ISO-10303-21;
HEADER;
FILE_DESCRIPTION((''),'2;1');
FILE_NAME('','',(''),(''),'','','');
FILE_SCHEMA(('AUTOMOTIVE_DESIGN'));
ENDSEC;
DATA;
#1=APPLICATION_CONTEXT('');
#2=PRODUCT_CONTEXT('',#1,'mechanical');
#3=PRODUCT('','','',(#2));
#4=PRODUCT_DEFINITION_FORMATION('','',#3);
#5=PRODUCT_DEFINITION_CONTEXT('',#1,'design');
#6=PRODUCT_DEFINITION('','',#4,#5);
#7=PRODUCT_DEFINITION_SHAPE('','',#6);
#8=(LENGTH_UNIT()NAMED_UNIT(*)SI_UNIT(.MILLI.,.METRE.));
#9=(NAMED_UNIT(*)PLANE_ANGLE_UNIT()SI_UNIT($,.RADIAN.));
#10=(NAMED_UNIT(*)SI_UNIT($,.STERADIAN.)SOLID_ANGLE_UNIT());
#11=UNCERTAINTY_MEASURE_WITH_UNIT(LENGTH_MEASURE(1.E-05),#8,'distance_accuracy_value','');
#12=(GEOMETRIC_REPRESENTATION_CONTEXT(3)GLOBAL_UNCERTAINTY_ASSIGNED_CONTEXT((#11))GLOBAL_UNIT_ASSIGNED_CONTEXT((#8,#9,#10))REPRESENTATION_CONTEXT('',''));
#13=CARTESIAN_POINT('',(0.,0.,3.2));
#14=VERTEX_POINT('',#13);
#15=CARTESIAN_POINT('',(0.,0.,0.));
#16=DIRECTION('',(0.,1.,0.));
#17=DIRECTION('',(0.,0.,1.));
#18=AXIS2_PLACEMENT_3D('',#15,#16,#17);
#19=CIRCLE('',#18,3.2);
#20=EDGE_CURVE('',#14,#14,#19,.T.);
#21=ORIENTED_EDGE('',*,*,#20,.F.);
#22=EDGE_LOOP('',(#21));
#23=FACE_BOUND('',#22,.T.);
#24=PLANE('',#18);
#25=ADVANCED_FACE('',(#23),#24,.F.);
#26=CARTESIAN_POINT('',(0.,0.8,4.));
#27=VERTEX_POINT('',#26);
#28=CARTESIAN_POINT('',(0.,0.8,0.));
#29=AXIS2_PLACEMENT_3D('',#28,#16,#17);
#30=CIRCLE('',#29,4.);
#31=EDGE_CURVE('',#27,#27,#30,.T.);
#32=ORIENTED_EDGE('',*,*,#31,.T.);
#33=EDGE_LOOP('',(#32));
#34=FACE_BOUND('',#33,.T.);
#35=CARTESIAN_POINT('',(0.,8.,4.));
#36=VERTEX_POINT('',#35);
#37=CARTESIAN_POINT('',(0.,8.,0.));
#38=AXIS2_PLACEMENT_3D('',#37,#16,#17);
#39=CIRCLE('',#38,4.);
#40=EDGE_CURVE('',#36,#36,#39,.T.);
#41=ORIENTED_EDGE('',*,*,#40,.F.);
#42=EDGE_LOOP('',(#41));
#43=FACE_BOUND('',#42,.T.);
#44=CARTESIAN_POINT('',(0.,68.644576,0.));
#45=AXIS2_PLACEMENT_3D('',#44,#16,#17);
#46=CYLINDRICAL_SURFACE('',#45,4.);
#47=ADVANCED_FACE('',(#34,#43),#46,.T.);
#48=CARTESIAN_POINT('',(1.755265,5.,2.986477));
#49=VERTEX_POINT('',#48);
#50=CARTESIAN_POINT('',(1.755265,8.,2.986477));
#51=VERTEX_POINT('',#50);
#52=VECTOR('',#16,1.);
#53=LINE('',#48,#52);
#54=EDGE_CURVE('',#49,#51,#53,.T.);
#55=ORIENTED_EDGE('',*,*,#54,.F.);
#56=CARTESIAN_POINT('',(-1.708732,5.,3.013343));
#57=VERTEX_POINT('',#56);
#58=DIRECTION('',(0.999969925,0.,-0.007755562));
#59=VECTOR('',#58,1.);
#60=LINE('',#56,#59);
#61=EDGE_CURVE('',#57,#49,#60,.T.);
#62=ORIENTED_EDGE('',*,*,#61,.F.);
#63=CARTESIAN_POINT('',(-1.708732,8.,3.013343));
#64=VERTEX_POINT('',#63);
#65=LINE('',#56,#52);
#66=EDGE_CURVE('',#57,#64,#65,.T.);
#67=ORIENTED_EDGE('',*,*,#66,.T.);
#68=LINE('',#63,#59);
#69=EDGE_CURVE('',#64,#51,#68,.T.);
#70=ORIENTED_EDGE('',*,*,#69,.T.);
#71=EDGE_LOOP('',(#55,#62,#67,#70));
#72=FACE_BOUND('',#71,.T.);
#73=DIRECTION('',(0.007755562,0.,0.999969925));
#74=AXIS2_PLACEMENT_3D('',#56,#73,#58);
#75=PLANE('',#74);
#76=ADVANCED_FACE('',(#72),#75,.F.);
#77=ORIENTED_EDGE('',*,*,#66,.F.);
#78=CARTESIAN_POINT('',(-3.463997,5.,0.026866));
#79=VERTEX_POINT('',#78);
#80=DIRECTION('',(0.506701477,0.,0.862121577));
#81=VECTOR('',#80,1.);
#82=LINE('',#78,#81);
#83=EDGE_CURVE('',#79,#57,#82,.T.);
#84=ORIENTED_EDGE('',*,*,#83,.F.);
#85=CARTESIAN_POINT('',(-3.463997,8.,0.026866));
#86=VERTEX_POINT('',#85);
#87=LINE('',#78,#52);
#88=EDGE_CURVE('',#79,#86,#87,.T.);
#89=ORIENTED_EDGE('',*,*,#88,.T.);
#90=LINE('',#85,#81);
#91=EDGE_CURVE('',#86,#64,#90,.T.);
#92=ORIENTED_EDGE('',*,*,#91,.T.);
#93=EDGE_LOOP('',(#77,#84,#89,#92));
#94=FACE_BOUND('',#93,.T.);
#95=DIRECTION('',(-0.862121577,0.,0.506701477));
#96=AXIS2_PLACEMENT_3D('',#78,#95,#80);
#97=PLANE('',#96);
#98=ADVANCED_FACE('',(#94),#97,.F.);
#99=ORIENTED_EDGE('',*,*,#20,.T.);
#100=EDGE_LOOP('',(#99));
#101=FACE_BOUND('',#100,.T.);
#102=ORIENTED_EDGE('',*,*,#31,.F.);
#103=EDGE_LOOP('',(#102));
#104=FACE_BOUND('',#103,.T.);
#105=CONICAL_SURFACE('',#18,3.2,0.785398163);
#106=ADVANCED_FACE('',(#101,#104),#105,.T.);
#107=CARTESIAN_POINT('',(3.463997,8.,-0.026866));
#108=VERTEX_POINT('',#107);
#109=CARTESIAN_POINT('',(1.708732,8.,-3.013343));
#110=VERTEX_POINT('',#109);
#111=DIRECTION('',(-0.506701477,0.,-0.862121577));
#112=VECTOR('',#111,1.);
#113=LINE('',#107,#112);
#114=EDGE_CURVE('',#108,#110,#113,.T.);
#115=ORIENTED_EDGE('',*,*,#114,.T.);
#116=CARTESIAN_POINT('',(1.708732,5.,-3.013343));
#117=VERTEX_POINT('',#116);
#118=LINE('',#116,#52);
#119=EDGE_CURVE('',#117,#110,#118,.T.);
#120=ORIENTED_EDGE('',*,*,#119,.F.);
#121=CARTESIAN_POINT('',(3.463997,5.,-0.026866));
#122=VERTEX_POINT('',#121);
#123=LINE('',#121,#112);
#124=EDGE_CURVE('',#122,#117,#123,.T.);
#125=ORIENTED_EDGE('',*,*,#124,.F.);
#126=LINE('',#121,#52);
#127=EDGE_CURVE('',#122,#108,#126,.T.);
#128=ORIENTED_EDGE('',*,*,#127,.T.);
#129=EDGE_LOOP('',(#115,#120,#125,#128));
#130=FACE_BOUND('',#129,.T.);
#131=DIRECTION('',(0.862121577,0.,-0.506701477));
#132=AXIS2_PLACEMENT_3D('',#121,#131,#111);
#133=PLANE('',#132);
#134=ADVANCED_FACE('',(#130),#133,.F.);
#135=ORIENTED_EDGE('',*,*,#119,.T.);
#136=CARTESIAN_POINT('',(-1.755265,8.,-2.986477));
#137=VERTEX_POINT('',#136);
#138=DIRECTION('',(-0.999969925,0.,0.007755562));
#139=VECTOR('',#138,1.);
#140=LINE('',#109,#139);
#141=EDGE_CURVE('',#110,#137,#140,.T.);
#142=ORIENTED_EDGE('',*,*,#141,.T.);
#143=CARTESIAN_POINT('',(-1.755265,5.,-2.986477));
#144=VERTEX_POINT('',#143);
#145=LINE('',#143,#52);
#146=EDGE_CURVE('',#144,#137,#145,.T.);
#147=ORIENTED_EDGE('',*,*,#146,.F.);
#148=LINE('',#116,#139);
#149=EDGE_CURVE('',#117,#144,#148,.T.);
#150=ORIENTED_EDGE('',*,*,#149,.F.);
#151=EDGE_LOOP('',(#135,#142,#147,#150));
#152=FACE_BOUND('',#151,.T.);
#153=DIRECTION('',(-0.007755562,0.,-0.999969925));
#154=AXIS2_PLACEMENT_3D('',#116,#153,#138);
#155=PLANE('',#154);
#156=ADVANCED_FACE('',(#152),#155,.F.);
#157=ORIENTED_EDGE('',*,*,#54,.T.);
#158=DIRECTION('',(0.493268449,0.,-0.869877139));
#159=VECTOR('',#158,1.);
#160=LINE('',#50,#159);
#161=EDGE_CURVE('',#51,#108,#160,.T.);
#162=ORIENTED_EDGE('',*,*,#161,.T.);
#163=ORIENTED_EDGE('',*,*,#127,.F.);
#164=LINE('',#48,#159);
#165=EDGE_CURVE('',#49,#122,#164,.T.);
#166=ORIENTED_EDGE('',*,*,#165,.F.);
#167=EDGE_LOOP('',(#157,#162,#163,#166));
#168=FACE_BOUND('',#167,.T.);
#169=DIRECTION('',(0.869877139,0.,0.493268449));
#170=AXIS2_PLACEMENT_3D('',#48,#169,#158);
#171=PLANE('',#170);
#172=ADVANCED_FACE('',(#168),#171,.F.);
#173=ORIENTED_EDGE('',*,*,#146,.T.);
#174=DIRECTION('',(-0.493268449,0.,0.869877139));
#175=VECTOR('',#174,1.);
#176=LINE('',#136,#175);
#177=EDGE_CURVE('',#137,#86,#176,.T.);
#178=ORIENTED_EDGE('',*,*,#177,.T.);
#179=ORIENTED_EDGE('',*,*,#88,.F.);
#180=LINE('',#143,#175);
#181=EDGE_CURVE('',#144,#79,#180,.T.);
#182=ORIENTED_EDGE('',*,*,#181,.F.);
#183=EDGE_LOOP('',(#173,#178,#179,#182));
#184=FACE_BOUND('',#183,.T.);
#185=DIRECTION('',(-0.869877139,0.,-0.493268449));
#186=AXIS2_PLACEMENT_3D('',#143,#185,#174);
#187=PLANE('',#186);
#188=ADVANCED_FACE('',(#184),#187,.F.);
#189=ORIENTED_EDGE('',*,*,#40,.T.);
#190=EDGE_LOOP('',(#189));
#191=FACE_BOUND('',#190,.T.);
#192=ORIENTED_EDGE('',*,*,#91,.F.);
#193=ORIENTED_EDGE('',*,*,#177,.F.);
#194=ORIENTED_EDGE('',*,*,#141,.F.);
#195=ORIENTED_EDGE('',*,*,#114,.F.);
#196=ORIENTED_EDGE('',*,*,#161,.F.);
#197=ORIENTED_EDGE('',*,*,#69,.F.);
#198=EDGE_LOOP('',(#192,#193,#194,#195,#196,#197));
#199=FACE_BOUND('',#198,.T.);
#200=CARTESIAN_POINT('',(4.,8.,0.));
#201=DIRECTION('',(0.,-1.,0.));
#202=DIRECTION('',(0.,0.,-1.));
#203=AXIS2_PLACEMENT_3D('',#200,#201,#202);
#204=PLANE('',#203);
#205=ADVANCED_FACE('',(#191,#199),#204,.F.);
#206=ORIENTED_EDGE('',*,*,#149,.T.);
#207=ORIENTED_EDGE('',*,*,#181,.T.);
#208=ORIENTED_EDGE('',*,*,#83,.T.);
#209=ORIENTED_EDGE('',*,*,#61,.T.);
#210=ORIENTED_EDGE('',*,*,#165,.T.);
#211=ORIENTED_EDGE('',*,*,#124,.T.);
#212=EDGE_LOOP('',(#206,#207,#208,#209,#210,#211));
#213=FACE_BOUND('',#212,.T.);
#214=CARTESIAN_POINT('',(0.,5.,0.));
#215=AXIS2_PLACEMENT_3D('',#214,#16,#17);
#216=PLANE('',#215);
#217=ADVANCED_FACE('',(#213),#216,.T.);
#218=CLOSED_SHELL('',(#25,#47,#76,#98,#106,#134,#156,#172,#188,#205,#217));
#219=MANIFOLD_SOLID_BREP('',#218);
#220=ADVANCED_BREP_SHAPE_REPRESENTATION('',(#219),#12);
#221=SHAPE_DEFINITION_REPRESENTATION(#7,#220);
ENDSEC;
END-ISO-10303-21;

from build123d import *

# Parameters (mm, degrees)
CUT_EXTRUDE_1_DEPTH = 3


with BuildPart() as part:
    # Эскиз1 → Повернуть1 (revolve)
    with BuildSketch(Plane.XY):
        Polygon((0, 0), (3.2, 0), (4, 0.8), (4, 8), (0, 8), align=None)
    revolve(axis=Axis((0, 68.644575989, 0), (0, -1, 0)))

    # Эскиз2 → Вырез-Вытянуть1 (cut)
    with BuildSketch(Plane(origin=(0, 8, 0), x_dir=(1, 0, 0), z_dir=(0, 1, 0))):
        Polygon((1.755265403, -2.986476748), (3.463997433, 0.026866056), (1.708732029, 3.013342804), (-1.755265403, 2.986476748), (-3.463997433, -0.026866056), (-1.708732029, -3.013342804), align=None)
    extrude(amount=-CUT_EXTRUDE_1_DEPTH, mode=Mode.SUBTRACT)


solid = part.part
